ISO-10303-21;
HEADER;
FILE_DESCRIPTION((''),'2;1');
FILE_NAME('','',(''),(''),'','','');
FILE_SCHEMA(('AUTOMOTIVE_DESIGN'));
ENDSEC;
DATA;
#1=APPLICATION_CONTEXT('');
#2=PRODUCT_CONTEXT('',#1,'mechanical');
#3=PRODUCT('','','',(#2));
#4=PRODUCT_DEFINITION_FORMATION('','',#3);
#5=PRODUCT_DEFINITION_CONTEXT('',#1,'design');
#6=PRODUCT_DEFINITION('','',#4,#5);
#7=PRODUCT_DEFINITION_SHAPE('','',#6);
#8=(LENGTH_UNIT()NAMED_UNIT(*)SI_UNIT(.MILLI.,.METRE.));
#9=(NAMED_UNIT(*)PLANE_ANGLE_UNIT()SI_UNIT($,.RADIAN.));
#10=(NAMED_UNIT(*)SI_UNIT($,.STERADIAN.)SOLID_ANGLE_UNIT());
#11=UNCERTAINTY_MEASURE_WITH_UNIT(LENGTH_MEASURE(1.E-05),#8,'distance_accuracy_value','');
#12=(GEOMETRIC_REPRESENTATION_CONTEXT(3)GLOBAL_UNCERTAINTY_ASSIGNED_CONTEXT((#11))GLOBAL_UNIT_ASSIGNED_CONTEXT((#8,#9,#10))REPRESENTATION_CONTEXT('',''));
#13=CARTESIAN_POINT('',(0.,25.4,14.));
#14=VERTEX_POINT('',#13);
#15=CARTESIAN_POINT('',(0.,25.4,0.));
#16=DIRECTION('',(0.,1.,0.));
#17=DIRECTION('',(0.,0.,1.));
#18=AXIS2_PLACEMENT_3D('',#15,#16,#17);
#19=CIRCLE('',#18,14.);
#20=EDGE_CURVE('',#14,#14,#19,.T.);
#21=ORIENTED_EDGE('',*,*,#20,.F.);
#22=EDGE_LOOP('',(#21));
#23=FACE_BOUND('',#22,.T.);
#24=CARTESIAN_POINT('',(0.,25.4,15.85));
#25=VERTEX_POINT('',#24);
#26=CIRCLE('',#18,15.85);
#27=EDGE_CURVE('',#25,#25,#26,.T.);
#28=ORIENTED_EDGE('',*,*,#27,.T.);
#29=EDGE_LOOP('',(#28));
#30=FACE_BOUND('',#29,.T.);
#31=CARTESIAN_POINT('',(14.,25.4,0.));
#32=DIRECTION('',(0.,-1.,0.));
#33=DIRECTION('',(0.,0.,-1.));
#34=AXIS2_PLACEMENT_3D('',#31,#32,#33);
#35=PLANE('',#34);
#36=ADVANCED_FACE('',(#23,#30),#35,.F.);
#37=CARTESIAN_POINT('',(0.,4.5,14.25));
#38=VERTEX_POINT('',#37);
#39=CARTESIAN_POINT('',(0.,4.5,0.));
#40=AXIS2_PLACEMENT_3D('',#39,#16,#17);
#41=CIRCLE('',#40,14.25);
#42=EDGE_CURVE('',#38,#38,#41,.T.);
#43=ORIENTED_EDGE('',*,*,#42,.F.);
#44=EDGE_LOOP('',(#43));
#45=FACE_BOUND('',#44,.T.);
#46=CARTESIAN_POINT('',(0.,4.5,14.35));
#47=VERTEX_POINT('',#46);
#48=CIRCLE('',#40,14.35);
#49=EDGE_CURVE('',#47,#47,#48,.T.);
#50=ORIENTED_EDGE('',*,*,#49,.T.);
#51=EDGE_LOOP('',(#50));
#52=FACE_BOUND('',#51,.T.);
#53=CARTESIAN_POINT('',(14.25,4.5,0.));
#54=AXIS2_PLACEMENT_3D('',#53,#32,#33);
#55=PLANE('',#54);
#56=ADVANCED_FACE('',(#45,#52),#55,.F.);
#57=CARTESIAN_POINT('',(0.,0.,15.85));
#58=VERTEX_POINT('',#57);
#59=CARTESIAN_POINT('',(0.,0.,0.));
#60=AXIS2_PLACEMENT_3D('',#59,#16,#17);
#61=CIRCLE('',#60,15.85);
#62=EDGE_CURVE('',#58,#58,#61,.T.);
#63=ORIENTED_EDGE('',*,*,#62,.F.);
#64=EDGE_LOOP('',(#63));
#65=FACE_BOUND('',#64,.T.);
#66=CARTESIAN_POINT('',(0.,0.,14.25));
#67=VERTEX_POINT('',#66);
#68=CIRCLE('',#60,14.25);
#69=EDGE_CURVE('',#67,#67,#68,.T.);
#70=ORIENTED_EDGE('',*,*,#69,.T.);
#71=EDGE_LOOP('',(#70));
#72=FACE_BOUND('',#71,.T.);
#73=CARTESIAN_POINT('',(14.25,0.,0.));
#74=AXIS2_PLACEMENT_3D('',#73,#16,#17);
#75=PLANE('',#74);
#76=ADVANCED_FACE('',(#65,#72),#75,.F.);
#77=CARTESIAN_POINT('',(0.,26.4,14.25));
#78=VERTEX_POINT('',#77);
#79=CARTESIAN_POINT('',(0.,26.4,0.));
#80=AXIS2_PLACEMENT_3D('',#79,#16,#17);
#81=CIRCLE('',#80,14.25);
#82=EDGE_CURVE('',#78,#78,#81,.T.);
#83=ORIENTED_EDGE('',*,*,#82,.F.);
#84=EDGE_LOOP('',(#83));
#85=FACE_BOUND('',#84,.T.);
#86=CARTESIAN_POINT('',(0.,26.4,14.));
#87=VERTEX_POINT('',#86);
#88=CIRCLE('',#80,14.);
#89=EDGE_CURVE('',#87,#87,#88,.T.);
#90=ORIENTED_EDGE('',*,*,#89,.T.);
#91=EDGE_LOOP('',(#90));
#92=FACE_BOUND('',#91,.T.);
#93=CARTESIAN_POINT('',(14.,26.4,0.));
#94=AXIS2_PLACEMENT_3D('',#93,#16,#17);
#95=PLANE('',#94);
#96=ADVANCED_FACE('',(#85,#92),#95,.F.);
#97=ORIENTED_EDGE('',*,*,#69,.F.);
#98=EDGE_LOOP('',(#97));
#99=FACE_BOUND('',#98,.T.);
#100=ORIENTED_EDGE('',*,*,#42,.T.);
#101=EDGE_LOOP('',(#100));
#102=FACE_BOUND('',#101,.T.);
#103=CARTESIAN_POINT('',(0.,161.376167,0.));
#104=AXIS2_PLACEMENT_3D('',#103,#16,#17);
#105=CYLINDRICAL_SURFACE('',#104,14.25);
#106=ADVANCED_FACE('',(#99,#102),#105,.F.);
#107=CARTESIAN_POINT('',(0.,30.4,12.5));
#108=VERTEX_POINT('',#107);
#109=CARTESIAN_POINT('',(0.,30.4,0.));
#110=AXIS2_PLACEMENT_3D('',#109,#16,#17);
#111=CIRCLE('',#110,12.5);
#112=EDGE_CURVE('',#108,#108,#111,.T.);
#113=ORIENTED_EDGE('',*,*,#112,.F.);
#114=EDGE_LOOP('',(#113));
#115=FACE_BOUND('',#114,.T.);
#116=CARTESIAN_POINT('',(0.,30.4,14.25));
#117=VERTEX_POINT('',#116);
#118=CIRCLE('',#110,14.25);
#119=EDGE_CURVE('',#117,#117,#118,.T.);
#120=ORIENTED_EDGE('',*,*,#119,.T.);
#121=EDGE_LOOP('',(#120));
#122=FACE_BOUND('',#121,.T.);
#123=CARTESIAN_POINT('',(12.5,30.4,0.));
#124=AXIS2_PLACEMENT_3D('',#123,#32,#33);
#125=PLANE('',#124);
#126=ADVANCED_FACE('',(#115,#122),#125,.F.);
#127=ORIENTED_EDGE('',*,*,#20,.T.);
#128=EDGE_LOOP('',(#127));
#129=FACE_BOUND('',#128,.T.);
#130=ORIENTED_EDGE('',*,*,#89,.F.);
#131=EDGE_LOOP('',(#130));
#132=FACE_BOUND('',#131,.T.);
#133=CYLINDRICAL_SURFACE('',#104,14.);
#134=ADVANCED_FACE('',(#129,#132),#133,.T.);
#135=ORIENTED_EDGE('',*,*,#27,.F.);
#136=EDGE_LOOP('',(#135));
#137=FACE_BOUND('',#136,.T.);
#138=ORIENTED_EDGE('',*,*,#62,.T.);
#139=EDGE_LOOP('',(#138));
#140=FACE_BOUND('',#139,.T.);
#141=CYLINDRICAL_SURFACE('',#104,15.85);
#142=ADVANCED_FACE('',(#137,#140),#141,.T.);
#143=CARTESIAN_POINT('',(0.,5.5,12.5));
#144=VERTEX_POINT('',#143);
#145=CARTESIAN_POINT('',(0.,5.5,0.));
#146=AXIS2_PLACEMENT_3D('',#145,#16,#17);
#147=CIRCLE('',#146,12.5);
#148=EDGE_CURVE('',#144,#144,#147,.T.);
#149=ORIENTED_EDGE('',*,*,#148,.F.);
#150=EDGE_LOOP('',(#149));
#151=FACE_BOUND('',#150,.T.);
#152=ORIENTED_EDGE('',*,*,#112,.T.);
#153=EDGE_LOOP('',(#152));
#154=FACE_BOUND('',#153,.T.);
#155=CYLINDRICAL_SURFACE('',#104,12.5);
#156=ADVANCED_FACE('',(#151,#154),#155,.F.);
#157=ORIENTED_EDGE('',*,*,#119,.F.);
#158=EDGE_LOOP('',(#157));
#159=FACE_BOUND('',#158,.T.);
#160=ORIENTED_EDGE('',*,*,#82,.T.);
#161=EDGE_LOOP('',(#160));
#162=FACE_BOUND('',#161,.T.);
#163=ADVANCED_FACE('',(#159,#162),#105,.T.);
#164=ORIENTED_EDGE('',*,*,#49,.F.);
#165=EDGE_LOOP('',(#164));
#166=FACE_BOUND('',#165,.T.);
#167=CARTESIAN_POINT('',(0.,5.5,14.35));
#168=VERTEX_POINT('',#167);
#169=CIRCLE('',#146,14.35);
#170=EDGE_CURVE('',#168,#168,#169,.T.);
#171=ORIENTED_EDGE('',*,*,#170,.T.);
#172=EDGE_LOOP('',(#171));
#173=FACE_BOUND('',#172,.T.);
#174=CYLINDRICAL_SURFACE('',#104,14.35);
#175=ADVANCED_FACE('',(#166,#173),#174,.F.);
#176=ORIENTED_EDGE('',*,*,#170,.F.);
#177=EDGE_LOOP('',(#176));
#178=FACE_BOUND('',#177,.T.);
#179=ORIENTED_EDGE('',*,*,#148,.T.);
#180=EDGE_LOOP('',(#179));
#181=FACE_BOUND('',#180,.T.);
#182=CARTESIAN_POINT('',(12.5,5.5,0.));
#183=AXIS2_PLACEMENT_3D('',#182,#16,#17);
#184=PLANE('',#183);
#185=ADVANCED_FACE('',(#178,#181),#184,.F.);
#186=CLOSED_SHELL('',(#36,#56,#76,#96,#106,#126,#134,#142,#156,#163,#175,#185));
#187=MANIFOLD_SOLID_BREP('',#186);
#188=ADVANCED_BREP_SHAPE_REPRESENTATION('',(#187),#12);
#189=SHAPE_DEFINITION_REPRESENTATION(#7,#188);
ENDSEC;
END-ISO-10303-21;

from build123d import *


with BuildPart() as part:
    # 草图1 → 旋转1 (revolve)
    with BuildSketch(Plane.XY, mode=Mode.PRIVATE) as revolve_1_sk:
        Polygon((14.25, 0), (14.25, 4.5), (14.35, 4.5), (14.35, 5.5), (12.5, 5.5), (12.5, 30.4), (14.25, 30.4), (14.25, 26.4), (14, 26.4), (14, 25.4), (15.85, 25.4), (15.85, 0), align=None)
    revolve(revolve_1_sk.sketch.rotate(Axis((0, 161.376166943, 0), (0, -1, 0)), 90), axis=Axis((0, 161.376166943, 0), (0, -1, 0)))  # turned: the seam where the file's is


solid = part.part
